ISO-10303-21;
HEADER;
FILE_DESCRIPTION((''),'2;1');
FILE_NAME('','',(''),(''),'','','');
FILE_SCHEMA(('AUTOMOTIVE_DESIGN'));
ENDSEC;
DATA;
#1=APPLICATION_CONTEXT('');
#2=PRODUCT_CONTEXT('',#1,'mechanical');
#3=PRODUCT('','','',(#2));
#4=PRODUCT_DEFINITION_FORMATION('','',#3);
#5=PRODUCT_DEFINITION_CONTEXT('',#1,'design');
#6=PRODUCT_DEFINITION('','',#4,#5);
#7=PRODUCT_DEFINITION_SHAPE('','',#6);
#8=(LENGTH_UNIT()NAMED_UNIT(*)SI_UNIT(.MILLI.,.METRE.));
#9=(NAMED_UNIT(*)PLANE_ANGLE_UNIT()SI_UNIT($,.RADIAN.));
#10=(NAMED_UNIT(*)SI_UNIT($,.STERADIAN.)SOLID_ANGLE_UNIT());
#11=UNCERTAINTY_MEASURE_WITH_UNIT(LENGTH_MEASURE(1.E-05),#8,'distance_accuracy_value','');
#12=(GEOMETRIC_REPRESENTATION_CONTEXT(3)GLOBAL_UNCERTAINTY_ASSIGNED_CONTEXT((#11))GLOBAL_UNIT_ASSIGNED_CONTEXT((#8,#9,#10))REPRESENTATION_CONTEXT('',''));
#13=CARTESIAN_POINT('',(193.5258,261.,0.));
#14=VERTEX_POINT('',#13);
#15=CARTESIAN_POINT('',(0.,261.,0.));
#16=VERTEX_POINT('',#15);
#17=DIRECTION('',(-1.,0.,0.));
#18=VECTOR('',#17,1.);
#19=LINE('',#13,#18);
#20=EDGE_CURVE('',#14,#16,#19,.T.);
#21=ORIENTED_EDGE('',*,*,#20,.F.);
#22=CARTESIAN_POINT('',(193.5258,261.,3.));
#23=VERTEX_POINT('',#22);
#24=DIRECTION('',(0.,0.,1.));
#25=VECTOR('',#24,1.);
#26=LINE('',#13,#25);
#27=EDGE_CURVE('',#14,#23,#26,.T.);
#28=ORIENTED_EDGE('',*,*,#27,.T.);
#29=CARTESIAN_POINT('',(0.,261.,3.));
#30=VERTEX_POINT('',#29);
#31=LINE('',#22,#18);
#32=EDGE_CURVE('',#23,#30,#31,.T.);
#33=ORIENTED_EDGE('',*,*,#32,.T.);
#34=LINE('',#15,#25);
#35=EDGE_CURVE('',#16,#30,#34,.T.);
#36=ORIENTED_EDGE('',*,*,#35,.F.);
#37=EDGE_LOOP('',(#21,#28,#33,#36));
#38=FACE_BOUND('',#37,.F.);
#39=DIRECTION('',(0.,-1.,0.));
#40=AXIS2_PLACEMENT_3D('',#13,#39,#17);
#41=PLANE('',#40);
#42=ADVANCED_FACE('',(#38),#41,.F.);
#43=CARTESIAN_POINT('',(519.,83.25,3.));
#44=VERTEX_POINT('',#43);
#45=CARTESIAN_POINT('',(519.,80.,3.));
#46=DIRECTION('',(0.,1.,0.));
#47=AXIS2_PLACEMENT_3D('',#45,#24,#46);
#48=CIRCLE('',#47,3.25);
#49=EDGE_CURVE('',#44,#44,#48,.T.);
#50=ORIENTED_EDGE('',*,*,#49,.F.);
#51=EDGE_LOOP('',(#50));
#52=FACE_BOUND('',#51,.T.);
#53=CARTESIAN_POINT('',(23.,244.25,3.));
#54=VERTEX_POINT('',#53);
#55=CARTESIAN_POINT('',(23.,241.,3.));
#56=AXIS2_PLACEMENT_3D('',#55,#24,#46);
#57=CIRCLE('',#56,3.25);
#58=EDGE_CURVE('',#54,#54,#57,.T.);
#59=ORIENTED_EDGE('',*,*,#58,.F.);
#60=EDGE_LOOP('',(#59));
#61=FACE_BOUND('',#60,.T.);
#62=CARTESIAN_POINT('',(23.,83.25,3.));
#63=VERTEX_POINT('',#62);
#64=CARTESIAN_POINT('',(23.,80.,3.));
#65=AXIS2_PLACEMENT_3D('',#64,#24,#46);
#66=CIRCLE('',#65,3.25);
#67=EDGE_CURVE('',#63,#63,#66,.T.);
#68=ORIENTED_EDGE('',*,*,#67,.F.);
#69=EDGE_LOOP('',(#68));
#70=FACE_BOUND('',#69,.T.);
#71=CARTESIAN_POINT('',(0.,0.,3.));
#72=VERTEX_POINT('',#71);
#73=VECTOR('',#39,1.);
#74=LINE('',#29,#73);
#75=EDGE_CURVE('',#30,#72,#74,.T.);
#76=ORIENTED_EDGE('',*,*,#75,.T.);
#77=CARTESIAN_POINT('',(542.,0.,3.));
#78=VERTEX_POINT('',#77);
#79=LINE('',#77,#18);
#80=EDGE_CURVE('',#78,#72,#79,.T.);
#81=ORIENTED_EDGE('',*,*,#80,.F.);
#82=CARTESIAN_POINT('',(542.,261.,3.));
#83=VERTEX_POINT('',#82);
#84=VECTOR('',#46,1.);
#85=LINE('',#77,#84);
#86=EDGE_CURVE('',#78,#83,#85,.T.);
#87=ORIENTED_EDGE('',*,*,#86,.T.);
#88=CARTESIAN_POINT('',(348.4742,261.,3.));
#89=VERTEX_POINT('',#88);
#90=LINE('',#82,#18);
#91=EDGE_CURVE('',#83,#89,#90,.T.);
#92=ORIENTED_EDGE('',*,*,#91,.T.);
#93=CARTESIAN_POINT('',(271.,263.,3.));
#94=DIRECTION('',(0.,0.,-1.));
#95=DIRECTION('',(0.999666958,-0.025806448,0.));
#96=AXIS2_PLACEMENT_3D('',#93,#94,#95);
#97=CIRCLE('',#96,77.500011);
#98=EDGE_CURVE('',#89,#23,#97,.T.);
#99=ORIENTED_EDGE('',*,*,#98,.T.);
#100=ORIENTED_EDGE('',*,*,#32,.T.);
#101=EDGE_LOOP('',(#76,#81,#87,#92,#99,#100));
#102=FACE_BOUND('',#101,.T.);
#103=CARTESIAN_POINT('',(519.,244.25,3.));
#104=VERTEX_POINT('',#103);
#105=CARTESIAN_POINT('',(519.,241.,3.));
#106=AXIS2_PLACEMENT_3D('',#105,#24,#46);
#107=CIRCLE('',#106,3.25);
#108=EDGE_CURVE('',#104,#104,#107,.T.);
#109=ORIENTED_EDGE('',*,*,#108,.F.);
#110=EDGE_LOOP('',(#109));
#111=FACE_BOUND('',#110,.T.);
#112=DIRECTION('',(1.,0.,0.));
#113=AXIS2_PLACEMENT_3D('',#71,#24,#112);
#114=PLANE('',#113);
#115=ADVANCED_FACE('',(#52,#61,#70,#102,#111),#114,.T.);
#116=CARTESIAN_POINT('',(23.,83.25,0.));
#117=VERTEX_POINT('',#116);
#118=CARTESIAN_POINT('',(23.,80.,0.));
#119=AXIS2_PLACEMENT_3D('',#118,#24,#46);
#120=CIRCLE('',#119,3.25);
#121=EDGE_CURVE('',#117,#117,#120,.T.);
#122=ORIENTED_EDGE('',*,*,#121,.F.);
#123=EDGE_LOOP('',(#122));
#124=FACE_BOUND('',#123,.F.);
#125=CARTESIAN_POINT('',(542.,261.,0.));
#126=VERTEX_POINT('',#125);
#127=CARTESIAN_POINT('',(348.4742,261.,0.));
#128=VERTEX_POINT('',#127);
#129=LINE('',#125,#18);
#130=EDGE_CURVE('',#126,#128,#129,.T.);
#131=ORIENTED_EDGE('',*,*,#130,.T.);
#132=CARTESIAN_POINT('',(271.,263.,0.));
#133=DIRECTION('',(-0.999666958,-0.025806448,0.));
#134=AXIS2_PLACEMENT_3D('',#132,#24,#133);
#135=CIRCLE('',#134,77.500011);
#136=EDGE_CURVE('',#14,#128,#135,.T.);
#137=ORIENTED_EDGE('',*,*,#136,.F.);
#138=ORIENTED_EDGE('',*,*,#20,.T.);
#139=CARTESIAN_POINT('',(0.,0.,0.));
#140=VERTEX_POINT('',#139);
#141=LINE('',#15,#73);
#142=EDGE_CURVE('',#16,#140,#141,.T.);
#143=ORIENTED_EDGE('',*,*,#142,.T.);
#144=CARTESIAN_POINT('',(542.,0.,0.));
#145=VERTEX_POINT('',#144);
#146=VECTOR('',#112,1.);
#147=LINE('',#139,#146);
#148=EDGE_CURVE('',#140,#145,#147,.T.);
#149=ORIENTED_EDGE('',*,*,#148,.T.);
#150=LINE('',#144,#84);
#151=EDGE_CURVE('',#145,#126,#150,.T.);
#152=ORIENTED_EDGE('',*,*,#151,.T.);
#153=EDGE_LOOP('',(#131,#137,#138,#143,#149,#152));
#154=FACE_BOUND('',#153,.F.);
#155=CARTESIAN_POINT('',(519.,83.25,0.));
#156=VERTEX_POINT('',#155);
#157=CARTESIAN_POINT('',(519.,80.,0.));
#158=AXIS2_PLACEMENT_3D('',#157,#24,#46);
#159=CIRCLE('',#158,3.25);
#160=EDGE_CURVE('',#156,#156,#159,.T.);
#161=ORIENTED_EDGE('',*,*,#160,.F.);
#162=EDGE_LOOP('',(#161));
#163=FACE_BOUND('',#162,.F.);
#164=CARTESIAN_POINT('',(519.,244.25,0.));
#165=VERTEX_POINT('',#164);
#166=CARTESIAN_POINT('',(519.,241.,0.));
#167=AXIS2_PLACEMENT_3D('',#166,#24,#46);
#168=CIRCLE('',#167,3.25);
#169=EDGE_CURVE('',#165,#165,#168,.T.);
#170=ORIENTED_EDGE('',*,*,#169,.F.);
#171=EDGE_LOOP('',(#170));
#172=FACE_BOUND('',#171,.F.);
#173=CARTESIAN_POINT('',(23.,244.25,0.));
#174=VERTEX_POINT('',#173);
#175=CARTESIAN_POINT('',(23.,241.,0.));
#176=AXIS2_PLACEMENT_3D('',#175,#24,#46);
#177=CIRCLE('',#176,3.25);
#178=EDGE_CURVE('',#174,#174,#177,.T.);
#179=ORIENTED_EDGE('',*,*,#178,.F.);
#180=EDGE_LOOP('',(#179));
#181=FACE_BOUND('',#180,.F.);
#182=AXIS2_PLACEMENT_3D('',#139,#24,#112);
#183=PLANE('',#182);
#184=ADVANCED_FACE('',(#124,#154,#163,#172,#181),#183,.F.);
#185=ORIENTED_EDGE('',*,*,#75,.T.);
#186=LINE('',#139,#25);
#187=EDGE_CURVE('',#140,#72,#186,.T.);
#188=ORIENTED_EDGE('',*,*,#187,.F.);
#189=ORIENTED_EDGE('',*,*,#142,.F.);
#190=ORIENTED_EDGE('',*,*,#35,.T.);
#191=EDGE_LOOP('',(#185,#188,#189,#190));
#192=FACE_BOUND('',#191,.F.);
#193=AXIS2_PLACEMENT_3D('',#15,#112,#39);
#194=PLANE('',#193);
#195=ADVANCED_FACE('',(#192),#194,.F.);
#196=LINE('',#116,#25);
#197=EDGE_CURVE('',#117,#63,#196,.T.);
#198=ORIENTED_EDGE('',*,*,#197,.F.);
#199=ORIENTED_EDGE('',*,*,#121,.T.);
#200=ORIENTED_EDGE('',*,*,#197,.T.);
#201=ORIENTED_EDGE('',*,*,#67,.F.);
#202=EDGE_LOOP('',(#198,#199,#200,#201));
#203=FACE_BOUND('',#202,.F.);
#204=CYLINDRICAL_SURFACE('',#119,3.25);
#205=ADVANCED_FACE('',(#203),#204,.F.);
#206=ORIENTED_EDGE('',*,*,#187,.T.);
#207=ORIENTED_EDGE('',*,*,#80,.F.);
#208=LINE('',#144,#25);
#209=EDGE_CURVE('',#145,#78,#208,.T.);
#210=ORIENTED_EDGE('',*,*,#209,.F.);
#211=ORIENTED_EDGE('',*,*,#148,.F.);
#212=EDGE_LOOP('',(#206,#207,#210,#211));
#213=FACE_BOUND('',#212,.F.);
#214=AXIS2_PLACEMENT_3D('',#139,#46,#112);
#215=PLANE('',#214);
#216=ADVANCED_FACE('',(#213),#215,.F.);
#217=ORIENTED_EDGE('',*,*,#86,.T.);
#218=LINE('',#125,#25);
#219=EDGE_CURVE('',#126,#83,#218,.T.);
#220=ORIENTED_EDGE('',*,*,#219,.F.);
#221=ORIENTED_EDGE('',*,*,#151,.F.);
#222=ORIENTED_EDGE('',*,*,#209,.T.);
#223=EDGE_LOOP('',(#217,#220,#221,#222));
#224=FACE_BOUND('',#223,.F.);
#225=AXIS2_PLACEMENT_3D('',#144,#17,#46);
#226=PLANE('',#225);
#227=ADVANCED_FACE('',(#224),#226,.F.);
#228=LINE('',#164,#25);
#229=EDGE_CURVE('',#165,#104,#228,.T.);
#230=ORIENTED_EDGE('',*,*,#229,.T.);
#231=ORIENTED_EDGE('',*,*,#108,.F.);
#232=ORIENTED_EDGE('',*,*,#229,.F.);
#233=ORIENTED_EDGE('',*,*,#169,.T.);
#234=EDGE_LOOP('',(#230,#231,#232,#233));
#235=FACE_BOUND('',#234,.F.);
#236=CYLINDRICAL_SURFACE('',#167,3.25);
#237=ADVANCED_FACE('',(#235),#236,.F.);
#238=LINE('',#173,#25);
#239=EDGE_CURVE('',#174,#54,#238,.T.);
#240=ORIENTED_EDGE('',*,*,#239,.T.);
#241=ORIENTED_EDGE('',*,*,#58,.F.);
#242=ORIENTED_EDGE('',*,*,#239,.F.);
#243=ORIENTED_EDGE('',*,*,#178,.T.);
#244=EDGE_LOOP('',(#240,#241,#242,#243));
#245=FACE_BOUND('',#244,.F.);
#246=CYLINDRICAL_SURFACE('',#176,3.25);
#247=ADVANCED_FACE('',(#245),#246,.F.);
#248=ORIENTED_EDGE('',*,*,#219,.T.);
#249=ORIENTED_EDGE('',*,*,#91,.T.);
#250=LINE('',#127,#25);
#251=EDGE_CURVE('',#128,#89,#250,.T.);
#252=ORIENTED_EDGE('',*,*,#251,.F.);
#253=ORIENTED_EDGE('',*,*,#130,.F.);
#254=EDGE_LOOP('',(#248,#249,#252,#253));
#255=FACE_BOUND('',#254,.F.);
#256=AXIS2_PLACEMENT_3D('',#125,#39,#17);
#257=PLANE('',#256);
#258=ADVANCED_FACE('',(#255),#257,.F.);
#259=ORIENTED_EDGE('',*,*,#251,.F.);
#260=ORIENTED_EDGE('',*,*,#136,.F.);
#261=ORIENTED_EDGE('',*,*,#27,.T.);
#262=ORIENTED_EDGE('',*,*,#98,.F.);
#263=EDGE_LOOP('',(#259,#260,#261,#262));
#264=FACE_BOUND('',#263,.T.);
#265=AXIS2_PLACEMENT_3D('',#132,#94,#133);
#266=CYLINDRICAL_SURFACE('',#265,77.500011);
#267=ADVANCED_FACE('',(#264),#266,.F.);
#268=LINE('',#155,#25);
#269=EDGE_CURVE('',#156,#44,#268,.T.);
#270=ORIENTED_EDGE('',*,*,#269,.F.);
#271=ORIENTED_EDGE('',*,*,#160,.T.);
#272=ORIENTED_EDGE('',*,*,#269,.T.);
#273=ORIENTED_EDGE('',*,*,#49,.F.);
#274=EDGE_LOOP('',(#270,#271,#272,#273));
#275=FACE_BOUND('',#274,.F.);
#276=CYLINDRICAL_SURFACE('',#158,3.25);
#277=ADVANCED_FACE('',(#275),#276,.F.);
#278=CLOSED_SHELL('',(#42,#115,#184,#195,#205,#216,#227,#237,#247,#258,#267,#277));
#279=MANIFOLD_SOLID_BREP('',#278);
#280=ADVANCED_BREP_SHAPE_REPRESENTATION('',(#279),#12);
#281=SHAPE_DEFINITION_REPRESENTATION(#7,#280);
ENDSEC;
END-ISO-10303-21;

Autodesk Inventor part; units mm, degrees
ref_plane "YZ Plane" through (0, 0, 0) normal (1, 0, 0) x (0, 1, 0)
ref_plane "XZ Plane" through (0, 0, 0) normal (0, 1, 0) x (-1, 0, 0)
ref_plane "XY Plane" through (0, 0, 0) normal (0, 0, 1) x (1, 0, 0)
sketch "Sketch1" plane through (0, 0, 0) normal (0, 0, 1) x (1, 0, 0)
  line L0 (0, 0) -> (542, 0)
  line L1 (542, 0) -> (542, 261)
  line L2 (0, 261) -> (0, 0)
  line L3 (271, 0) -> (271, 263)
  arc A0 (193.5258, 261) -> (348.4742, 261) centre (271, 263) ccw
  line L4 (542, 261) -> (348.4742, 261)
  line L5 (193.5258, 261) -> (0, 261)
  dimension "d0" = 542
  dimension "d24" = 155
  dimension "d25" = 263
  dimension "d26" = 261
extrude "Extrusion1" add sketch "Sketch1" along normal blind 3
sketch "Sketch2" plane through (0, 0, 0) normal (0, 0, -1) x (-1, 0, 0)
  line L0 (0, 261) -> (0, 0) projected
  line L1 (-542, 0) -> (-542, 261) projected
  line L2 (-542, 261) -> (0, 261) projected
  point P0 (-23, 241)
  point P1 (-23, 80)
  point P2 (-519, 241)
  point P3 (-519, 80)
  dimension "d4" = 23
  dimension "d13" = 20
  dimension "d14" = 261
  dimension "d15" = 542
  dimension "d18" = 161
  dimension "d21" = 496
hole "Hole1" at (23, 241, 0) at (519, 241, 0) at (519, 80, 0) at (23, 80, 0) direction (0, 0, 1) diameter 6.5 end through all
properties part number "plate_top_03" material "Polystyrene"
